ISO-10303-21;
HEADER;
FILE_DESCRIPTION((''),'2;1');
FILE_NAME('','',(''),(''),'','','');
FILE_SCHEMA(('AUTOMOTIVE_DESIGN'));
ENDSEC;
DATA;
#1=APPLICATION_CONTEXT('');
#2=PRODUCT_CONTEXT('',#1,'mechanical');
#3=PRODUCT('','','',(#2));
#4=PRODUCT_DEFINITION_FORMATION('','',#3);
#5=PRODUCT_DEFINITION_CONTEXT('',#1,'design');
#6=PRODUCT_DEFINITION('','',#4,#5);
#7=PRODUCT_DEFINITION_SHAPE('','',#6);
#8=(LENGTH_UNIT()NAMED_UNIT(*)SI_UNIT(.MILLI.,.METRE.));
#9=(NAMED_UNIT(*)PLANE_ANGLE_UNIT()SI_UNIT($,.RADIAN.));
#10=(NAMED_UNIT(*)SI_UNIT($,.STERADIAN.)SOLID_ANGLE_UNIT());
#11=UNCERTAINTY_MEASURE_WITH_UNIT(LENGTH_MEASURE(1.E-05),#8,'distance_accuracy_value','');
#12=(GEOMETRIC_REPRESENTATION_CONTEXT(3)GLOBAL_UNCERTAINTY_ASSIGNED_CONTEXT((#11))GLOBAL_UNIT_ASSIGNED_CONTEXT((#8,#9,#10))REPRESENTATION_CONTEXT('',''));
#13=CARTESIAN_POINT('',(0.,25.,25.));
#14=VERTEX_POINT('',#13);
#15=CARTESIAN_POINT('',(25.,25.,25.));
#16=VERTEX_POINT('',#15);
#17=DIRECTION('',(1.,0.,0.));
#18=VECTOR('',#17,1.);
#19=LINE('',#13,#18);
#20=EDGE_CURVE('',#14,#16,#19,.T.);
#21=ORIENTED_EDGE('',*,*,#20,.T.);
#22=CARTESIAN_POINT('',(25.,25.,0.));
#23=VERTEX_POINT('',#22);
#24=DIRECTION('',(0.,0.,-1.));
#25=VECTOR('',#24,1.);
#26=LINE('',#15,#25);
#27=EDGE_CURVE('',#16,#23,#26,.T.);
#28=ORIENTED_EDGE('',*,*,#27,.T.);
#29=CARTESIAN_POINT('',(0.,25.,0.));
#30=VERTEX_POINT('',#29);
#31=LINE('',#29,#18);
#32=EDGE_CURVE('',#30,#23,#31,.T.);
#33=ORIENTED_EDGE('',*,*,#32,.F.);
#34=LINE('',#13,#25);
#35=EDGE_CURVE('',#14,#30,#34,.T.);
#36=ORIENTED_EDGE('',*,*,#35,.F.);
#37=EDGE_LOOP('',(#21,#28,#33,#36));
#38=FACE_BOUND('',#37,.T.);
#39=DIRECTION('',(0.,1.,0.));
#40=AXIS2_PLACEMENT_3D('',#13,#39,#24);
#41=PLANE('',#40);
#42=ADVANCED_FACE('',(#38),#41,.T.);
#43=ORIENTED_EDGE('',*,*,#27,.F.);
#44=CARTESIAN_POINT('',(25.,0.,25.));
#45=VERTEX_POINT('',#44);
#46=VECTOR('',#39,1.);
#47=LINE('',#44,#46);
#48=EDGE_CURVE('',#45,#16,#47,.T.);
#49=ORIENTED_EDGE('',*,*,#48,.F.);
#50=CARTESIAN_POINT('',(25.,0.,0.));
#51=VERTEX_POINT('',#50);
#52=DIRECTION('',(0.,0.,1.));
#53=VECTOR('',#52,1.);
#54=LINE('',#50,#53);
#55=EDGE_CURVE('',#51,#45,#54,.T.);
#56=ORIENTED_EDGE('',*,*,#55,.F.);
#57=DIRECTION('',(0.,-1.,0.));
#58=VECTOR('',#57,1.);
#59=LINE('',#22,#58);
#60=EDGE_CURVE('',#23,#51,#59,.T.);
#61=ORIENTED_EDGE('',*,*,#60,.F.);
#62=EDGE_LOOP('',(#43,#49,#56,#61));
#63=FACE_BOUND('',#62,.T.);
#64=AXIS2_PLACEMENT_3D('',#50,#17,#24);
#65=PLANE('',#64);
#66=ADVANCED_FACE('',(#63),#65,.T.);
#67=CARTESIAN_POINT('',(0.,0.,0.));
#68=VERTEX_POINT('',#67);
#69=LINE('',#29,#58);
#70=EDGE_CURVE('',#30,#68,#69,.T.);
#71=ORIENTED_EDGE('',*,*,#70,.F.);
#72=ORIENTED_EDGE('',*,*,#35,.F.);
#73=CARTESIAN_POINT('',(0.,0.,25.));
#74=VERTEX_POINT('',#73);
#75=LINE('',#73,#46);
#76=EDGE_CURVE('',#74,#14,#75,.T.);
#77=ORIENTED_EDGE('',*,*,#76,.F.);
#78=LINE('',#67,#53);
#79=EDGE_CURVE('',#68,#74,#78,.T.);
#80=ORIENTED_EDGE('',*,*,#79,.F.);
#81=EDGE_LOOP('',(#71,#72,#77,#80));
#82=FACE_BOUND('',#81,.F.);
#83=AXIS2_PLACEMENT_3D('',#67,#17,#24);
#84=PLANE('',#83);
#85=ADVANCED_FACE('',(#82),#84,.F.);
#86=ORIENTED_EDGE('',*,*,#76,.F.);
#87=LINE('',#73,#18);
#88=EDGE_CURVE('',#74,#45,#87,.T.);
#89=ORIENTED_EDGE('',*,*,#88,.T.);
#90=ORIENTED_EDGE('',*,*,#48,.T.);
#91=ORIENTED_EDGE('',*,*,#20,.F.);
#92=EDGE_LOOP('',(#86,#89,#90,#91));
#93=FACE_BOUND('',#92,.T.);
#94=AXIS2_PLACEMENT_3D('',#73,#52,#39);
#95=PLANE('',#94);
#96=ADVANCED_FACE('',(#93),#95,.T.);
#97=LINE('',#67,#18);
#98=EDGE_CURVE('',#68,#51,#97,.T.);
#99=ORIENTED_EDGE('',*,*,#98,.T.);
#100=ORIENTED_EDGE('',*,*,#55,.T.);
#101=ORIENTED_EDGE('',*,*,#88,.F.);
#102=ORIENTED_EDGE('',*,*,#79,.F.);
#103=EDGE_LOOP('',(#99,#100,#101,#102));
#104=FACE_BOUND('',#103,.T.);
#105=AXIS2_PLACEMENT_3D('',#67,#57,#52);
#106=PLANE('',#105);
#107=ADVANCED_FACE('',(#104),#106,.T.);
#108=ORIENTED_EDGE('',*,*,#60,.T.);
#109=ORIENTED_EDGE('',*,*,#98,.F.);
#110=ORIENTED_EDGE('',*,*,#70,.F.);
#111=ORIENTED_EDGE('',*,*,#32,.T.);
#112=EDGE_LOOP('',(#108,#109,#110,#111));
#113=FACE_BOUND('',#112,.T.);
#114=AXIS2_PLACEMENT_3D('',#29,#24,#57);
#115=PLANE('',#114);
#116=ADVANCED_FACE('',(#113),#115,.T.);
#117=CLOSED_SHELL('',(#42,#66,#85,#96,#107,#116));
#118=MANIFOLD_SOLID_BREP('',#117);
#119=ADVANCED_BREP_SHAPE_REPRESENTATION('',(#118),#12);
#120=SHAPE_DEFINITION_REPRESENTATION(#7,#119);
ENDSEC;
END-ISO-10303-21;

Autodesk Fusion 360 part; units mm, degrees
sketch "Sketch1" plane through (0, 0, 0) normal (1, 0, 0) x (0, 0, -1)
  line L0 (0, 0) -> (-25, 0)
  line L1 (-25, 0) -> (-25, 25)
  line L2 (-25, 25) -> (0, 25)
  line L3 (0, 25) -> (0, 0)
  dimension "d1" = 25
  dimension "d2" = 25
extrude "Extrude1" add sketch "Sketch1" along normal blind 25
